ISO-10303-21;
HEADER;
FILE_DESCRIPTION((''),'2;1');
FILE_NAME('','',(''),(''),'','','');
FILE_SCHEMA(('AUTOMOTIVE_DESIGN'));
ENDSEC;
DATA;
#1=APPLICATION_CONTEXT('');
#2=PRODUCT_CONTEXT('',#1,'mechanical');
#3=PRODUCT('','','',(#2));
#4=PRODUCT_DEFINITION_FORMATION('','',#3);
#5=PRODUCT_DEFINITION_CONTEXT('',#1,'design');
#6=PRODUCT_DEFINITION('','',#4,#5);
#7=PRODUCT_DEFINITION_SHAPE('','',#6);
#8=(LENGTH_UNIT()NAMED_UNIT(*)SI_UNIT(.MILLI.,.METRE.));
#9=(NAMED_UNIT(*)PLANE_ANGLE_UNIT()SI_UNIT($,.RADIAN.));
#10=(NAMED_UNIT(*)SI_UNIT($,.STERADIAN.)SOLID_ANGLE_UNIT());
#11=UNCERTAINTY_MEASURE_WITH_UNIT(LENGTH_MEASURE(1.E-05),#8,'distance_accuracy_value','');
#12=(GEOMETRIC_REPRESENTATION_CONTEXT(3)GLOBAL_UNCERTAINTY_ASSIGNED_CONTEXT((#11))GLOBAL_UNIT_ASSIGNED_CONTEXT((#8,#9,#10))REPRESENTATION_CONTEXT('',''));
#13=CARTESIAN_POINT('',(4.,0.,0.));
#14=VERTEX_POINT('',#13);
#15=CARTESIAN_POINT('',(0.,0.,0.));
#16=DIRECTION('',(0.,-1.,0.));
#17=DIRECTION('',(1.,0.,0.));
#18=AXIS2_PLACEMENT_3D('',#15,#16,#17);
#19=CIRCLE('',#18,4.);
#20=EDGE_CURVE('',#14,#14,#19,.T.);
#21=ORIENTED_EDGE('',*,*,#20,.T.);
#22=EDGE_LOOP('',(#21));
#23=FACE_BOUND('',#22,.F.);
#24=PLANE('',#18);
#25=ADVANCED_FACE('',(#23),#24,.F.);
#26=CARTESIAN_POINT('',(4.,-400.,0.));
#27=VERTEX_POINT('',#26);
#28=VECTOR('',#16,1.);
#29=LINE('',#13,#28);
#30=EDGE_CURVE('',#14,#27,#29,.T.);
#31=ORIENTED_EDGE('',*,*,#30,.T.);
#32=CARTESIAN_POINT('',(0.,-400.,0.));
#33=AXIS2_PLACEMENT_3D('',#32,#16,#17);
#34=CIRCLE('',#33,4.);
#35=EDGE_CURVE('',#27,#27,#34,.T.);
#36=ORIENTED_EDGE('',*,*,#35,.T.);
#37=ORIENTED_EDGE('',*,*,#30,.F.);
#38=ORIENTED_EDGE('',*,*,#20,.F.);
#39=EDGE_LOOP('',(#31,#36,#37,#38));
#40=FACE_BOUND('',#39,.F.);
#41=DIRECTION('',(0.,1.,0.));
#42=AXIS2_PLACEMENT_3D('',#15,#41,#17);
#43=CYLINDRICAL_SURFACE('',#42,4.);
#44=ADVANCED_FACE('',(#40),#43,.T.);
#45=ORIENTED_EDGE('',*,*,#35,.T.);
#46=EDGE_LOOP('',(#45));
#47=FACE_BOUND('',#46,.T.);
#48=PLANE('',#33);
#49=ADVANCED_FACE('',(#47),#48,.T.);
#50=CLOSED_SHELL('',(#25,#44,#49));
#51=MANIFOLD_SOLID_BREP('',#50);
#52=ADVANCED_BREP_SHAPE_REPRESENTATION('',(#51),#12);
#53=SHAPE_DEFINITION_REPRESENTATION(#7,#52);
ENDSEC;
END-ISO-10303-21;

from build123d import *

# Parameters (mm, degrees)
SKETCH_R  = 4
PAD_DEPTH = 400


with BuildPart() as part:
    # Sketch → Pad (new body)
    with BuildSketch(Plane.XZ):
        Circle(SKETCH_R)
    extrude(amount=PAD_DEPTH)


solid = part.part
